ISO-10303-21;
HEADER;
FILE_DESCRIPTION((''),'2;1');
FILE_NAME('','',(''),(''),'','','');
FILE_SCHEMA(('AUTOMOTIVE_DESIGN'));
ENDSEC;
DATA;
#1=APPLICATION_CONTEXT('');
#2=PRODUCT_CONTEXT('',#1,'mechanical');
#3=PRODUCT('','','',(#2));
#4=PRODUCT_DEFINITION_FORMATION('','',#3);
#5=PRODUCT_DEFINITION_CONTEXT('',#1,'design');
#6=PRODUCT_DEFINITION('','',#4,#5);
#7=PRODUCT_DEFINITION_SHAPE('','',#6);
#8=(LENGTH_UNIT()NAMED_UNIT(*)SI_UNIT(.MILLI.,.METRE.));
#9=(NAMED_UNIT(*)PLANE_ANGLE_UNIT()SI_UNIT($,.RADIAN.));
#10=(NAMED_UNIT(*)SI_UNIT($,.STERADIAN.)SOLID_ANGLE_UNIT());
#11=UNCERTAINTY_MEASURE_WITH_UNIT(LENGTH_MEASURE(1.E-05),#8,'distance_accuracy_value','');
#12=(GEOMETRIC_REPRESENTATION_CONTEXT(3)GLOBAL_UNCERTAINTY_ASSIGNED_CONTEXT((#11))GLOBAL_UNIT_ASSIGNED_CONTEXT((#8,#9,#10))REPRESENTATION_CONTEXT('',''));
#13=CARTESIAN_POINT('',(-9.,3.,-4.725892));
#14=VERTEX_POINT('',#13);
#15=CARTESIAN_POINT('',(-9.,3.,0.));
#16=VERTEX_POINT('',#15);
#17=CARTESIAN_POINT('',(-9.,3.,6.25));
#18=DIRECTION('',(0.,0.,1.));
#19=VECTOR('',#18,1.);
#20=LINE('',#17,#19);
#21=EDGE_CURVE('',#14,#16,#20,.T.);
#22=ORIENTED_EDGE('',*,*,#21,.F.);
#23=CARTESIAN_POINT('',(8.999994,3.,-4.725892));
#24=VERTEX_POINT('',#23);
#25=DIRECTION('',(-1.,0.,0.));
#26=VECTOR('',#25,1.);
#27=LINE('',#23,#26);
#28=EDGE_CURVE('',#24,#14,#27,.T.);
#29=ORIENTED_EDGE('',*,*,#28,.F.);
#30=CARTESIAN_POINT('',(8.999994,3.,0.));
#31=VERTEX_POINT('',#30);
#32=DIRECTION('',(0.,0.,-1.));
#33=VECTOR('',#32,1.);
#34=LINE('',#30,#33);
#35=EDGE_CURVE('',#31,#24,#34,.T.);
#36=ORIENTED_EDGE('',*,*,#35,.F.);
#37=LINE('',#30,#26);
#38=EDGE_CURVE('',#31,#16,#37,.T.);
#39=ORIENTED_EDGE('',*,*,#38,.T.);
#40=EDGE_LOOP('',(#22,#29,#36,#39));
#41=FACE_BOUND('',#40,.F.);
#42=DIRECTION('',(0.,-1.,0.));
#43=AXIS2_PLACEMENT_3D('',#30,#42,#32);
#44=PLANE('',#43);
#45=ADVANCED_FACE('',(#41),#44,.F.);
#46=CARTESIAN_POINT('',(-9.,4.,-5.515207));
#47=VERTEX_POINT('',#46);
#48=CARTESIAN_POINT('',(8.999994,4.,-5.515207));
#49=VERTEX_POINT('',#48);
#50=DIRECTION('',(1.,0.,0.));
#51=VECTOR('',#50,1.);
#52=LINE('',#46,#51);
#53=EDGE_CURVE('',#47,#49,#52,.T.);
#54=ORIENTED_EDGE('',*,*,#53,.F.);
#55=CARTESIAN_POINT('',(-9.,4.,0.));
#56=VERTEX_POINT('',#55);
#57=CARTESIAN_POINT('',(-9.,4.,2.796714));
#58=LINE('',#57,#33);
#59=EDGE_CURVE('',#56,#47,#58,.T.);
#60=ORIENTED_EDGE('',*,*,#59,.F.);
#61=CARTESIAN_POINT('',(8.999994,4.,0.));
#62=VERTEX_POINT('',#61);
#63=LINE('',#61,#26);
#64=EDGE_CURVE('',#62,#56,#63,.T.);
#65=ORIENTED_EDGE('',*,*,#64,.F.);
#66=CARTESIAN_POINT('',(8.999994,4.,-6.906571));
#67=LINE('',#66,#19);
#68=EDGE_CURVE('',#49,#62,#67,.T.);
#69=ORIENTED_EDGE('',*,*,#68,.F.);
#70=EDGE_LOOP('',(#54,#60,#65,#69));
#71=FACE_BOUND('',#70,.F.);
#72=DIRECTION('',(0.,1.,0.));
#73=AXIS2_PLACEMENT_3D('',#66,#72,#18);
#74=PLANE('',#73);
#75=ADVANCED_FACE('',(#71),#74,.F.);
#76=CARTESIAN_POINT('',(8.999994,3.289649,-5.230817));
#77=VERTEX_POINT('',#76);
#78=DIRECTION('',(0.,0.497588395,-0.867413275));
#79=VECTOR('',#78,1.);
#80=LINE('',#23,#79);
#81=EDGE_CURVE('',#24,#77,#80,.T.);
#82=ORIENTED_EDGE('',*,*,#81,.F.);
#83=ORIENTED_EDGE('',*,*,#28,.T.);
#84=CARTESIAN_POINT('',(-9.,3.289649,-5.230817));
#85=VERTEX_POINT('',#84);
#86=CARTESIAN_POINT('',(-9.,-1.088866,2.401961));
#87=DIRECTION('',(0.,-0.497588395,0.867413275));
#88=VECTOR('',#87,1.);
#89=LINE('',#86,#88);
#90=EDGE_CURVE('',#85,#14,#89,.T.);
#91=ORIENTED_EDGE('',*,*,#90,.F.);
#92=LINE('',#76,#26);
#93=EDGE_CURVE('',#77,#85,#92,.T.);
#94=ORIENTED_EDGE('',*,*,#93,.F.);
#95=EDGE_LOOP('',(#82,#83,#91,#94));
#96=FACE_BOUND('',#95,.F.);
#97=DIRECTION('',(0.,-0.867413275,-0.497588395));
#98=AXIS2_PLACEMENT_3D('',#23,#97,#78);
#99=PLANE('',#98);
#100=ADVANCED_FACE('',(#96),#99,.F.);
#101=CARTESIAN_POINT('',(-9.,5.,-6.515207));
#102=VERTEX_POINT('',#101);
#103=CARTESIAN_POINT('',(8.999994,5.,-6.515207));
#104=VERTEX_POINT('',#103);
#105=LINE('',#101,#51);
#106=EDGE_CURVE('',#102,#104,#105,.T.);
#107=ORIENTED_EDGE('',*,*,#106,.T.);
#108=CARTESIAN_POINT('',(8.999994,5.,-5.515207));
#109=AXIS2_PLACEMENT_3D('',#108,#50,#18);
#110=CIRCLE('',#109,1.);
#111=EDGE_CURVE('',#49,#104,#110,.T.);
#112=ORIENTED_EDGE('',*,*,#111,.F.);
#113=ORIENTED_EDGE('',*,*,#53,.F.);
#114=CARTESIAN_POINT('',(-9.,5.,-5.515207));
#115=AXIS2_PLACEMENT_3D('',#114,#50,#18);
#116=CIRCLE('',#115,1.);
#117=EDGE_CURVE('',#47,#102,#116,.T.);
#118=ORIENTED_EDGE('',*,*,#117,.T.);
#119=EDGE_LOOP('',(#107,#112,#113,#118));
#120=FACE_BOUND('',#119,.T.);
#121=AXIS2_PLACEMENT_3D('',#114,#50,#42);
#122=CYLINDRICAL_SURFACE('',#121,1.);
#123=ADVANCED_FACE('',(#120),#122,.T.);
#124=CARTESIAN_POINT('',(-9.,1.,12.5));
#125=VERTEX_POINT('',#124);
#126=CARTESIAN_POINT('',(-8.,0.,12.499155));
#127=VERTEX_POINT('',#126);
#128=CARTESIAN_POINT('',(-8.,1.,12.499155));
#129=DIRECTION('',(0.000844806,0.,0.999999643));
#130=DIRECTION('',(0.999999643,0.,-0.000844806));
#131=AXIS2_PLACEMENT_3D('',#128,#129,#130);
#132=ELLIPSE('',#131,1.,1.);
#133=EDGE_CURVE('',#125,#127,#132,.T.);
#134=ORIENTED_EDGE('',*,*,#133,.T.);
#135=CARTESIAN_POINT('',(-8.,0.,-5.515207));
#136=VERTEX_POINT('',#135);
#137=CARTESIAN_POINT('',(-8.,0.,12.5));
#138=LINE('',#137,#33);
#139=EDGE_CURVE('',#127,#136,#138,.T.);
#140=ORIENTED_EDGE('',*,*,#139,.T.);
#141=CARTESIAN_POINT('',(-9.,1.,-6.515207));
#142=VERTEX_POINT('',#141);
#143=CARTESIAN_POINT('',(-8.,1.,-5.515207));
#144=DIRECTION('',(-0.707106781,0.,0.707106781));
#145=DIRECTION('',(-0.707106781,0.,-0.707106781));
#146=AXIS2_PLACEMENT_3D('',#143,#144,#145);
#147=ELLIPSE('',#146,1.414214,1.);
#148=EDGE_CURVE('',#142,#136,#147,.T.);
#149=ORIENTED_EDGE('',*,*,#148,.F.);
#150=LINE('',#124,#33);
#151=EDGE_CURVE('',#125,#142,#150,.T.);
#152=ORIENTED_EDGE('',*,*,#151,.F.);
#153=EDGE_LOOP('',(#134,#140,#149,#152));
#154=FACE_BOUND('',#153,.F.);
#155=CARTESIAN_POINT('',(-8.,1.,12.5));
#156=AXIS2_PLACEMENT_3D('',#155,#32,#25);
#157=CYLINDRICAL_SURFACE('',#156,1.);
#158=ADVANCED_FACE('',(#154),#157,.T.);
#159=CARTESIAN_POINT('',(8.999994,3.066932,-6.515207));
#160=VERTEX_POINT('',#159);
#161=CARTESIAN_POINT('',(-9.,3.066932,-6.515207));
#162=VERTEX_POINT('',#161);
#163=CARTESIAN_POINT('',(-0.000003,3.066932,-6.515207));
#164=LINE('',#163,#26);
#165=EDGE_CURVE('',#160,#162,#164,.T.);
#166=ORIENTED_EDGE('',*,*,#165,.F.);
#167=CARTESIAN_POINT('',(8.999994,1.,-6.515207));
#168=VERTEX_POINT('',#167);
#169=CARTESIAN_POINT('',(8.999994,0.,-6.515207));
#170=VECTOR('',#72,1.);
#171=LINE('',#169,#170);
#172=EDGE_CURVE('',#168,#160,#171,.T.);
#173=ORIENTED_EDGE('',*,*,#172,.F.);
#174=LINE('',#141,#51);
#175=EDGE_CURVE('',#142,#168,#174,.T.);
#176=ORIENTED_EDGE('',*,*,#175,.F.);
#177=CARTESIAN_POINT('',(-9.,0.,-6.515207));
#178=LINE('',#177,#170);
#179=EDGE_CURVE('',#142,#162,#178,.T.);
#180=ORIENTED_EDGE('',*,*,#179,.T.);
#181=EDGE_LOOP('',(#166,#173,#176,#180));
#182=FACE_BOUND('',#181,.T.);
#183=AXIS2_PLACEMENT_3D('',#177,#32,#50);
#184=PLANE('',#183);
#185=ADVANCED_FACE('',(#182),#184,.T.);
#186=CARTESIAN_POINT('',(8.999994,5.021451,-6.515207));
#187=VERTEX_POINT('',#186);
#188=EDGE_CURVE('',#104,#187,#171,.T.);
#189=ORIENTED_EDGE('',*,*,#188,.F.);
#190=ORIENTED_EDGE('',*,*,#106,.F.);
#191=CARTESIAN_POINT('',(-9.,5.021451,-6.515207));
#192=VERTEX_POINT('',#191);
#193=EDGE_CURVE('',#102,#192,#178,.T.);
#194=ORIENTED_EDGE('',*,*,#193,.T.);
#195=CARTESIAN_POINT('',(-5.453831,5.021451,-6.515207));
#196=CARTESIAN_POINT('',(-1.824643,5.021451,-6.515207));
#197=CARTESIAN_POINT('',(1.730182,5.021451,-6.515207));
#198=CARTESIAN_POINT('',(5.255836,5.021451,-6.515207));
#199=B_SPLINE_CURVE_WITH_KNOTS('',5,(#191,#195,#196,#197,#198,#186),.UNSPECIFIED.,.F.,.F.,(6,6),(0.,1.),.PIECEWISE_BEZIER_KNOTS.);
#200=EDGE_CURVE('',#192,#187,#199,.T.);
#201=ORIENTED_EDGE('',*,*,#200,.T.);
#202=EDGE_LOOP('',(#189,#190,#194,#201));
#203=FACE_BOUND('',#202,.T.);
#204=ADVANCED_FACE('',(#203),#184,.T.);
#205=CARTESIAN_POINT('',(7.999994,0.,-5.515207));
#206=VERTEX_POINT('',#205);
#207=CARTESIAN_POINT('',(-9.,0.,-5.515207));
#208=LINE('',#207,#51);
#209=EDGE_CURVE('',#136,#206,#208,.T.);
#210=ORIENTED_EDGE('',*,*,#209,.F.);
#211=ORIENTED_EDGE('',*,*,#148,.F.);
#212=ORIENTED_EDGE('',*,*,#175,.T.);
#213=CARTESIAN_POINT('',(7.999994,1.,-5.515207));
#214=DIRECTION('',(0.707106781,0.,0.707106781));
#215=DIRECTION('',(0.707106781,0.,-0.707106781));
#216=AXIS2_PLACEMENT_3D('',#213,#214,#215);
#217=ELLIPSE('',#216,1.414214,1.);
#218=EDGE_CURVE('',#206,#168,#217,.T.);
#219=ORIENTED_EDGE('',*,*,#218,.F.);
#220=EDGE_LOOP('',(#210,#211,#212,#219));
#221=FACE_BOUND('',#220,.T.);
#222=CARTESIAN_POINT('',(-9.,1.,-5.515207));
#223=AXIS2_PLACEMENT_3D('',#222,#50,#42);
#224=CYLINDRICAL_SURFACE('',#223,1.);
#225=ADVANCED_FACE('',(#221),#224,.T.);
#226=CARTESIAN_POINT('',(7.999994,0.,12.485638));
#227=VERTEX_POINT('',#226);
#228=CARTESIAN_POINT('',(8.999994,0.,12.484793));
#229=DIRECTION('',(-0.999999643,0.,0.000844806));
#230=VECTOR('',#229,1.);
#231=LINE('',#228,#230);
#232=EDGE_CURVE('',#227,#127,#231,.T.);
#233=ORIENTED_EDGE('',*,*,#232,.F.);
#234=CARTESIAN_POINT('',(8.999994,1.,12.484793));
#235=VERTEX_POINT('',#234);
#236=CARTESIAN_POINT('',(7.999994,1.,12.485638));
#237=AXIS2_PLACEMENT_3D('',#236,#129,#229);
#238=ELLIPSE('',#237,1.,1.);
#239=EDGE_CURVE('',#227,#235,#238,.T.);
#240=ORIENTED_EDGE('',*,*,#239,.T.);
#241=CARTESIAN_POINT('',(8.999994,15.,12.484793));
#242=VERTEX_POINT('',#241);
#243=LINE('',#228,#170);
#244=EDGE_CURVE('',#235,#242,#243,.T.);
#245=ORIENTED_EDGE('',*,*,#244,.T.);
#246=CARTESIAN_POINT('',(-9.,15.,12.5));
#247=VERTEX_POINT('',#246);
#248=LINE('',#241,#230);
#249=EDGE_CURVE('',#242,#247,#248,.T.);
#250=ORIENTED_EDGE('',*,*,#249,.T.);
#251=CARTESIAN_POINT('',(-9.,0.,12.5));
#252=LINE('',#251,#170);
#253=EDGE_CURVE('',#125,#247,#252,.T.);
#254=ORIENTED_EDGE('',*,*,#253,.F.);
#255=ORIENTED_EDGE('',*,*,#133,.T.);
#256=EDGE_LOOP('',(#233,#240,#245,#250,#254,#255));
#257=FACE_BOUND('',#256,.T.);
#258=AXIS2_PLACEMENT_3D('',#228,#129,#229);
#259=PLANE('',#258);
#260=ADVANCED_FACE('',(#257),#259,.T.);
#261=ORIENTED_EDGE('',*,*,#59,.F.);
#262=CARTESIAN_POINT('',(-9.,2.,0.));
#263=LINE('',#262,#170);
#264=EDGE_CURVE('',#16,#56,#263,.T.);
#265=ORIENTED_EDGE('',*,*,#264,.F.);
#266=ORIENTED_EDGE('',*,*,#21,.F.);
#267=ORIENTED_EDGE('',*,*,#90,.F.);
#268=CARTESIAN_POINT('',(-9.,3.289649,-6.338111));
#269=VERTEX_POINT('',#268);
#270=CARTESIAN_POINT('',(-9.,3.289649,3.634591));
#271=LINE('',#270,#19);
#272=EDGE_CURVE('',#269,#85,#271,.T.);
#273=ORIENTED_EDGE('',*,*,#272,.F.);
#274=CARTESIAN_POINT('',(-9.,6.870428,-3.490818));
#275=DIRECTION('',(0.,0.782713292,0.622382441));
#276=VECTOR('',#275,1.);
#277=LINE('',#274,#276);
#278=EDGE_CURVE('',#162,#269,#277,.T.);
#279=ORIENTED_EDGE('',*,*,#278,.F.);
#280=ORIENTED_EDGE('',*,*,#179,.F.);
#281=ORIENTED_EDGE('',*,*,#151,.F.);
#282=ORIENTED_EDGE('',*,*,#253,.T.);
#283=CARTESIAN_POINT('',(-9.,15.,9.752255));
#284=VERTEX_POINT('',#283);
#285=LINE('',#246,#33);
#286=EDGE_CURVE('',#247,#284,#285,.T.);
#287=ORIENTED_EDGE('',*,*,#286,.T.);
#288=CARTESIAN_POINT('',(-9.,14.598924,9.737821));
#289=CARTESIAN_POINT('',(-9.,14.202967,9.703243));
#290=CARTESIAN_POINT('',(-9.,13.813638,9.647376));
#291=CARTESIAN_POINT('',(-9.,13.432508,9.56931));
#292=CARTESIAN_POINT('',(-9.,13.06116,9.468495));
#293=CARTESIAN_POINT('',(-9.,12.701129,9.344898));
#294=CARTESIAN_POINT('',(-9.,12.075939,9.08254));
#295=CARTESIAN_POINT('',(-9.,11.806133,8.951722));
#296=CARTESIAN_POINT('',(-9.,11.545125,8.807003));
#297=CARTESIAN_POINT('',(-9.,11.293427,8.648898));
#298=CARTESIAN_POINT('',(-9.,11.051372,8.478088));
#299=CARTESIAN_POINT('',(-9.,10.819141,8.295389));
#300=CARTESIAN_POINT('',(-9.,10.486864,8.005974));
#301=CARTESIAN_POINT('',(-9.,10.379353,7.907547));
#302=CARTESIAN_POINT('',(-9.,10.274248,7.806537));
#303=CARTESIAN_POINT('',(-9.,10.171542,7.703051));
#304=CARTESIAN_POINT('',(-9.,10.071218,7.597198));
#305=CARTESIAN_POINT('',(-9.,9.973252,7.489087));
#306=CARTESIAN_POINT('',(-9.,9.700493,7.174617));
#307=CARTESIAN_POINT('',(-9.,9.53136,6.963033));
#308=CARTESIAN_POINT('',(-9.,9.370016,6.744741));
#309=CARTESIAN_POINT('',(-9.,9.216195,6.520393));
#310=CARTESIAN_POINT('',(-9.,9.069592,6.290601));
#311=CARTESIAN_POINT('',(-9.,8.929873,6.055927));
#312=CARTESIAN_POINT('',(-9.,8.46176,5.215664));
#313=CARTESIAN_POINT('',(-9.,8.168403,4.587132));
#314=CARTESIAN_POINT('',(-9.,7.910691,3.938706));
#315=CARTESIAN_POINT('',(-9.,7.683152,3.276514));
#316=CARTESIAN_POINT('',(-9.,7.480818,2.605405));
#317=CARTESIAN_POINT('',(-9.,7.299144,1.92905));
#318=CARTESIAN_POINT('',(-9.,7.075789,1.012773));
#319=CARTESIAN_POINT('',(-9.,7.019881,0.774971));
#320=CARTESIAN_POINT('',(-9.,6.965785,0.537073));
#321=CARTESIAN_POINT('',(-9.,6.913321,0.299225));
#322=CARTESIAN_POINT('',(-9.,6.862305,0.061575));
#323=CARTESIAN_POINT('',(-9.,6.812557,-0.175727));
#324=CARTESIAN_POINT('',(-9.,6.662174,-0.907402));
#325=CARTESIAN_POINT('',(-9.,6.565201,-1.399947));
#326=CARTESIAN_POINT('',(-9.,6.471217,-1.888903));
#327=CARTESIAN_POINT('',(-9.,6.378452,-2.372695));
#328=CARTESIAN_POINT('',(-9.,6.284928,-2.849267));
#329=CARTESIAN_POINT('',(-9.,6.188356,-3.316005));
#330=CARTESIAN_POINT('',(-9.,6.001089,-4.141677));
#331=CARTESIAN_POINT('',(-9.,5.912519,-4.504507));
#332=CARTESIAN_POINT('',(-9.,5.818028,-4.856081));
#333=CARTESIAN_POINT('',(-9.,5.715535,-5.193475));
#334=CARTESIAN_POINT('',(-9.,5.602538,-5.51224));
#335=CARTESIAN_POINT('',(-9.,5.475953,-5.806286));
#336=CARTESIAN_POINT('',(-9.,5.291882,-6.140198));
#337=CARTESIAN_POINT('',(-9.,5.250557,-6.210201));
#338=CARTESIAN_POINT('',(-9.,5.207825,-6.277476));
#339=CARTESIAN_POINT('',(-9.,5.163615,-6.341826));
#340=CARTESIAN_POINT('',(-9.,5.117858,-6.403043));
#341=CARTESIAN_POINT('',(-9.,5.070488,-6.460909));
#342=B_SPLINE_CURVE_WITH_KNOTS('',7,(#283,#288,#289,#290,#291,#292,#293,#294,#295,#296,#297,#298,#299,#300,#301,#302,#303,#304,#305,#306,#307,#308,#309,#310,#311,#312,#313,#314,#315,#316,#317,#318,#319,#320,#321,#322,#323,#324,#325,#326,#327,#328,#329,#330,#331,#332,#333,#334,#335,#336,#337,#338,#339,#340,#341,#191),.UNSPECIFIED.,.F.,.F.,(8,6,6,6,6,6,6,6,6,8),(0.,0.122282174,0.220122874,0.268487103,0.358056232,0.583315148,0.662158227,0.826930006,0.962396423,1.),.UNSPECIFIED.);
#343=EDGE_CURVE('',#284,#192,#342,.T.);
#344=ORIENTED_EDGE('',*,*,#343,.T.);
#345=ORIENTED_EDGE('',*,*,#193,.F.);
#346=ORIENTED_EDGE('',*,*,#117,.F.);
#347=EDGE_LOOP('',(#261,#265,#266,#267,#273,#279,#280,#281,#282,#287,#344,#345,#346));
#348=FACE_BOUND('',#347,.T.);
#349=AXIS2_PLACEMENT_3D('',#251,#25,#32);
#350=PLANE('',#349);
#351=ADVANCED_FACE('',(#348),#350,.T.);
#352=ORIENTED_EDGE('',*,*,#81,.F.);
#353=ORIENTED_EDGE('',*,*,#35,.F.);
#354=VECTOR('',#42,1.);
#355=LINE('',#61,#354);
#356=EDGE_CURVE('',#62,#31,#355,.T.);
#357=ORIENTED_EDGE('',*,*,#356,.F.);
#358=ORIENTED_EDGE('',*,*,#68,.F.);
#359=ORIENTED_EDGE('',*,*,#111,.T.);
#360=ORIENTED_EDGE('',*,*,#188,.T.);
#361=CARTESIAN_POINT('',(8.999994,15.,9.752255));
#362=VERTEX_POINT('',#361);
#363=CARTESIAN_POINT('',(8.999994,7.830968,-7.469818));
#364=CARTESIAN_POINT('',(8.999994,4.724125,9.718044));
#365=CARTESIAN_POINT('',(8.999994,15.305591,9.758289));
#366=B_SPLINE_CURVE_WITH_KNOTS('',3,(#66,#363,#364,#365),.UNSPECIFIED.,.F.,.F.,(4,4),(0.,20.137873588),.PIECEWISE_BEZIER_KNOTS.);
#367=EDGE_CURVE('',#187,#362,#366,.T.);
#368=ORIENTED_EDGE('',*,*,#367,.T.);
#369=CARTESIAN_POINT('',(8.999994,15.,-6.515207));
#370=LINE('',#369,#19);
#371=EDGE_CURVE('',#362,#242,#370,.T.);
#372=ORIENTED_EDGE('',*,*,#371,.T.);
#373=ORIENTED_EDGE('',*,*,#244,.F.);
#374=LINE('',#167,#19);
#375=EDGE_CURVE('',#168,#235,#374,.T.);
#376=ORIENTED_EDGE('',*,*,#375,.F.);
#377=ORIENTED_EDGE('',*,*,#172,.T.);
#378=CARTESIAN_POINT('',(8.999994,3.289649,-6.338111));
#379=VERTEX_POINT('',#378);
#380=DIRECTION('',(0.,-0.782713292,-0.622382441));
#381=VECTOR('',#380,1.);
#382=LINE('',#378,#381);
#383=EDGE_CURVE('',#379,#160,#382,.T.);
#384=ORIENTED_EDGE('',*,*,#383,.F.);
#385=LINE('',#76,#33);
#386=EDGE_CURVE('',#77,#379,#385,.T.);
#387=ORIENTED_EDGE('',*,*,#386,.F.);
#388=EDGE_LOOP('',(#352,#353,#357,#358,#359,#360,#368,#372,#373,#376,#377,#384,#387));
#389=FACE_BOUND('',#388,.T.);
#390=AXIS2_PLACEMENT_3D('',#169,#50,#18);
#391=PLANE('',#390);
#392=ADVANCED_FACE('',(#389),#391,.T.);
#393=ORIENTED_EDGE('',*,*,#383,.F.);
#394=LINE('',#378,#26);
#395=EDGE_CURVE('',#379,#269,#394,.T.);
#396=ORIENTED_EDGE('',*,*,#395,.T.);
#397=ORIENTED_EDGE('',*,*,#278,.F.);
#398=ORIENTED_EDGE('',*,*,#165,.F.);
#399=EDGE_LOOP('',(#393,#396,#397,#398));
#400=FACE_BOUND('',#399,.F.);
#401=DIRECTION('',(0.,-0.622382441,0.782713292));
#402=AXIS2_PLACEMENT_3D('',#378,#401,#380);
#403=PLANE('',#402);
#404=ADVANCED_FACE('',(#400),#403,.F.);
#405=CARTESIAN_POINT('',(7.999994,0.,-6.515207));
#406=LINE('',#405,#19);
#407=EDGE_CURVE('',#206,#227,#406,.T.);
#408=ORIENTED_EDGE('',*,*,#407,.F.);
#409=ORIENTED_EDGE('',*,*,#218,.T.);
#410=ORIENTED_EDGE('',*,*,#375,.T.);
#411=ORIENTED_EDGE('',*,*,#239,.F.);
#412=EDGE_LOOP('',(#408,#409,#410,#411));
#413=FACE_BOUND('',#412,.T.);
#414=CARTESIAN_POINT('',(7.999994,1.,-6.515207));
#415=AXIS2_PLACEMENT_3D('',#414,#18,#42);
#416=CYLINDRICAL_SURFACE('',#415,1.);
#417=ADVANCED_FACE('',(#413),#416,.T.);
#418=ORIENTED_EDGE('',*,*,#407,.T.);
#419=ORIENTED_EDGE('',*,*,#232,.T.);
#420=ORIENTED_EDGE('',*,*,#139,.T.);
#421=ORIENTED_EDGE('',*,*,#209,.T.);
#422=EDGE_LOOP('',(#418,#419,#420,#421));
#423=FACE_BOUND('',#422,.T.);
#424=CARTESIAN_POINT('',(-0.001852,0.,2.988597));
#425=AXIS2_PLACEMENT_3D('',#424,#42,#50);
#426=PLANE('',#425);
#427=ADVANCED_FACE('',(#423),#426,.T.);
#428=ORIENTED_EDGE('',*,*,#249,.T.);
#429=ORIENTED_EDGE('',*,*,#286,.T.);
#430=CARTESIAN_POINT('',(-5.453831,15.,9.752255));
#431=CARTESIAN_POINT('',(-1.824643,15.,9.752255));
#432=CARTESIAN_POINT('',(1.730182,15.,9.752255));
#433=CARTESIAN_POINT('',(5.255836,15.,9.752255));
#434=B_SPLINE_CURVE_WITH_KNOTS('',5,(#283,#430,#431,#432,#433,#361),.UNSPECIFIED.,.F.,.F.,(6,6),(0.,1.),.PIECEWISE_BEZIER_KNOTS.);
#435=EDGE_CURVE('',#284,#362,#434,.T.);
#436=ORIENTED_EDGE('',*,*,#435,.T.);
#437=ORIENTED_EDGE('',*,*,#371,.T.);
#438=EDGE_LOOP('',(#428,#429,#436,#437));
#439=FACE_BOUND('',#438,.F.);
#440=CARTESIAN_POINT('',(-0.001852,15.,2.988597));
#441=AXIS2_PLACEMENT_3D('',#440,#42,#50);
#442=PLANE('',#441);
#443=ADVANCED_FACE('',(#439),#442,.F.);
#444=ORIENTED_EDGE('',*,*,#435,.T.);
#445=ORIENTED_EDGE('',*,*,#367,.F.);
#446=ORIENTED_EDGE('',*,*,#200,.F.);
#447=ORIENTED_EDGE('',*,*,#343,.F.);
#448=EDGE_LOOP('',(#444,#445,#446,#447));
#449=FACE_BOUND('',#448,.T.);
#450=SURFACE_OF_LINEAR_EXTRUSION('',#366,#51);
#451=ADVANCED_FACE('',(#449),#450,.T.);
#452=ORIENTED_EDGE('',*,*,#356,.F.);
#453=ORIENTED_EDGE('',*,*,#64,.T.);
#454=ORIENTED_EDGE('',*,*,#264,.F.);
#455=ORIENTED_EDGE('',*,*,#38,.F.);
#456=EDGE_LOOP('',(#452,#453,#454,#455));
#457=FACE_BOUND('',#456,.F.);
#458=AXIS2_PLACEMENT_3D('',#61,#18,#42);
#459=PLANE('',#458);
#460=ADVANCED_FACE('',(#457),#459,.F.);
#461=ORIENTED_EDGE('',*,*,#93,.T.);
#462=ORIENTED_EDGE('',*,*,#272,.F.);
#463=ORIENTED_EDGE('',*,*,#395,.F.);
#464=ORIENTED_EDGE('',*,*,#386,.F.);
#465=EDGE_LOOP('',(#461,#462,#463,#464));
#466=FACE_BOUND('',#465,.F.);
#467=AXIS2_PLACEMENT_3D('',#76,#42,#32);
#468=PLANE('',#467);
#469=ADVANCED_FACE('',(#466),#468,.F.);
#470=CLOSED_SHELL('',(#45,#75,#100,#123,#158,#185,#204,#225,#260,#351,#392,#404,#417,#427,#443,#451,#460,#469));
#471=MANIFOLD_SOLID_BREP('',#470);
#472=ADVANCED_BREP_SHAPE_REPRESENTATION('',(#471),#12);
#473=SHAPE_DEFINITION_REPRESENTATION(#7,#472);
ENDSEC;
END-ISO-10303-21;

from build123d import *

# Parameters (mm, degrees)
F1_DEPTH = 15
F4_DEPTH = 19
F5_R     = 1


with BuildPart() as f1:
    # F0 (on Front) → F1 (new body)
    with BuildSketch(Plane.XZ):
        Polygon((-9, 12.5), (-9, 0), (-9, -6.5152065011), (8.9999935767, -6.5152065011), (8.9999935767, 12.4847934989), align=None)
    extrude(amount=-F1_DEPTH)

    # F3 (on offset) → F4 (cut)
    with BuildSketch(Plane.YZ.offset(8.9999935767)):
        Polygon((3, -6.568428129), (3, -6.9065713324), (4, -6.9065713324), (4, 0), (3, 0), (3, -4.7258920968), (3.2896485645, -5.2308174782), (3.2896485645, -6.3381111249), align=None)
        with BuildLine():
            add(Edge.make_bspline(
                [(4, -6.9065713324), (7.8309681267, -7.469817996), (4.7241249122, 9.7180437297), (15.3055908158, 9.7582889721)],
                knots=[0, 0, 0, 0, 20.1378735884, 20.1378735884, 20.1378735884, 20.1378735884], degree=3))
            Line((4, -6.9065713324), (4, -7.8707002103))
            Line((4, -7.8707002103), (15.5558949336, -7.8707002103))
            Line((15.5558949336, -7.8707002103), (15.5558949336, -0.2191853659))
            Line((15.5558949336, -0.2191853659), (15.5479665846, 0.0968497843))
            Line((15.5479665846, 0.0968497843), (15.3055908158, 9.7582889721))
        make_face()
    extrude(amount=-F4_DEPTH, mode=Mode.SUBTRACT)

    # F5
    f5_edges = [f1.edges().sort_by_distance(p)[0] for p in [
        (-9, 0, 2.992397),
        (-3e-06, 0, -6.515207),
        (8.999994, 0, 2.984793),
        (-3e-06, 4, -6.515207),
    ]]
    fillet(f5_edges, radius=F5_R)


solid = f1.part
